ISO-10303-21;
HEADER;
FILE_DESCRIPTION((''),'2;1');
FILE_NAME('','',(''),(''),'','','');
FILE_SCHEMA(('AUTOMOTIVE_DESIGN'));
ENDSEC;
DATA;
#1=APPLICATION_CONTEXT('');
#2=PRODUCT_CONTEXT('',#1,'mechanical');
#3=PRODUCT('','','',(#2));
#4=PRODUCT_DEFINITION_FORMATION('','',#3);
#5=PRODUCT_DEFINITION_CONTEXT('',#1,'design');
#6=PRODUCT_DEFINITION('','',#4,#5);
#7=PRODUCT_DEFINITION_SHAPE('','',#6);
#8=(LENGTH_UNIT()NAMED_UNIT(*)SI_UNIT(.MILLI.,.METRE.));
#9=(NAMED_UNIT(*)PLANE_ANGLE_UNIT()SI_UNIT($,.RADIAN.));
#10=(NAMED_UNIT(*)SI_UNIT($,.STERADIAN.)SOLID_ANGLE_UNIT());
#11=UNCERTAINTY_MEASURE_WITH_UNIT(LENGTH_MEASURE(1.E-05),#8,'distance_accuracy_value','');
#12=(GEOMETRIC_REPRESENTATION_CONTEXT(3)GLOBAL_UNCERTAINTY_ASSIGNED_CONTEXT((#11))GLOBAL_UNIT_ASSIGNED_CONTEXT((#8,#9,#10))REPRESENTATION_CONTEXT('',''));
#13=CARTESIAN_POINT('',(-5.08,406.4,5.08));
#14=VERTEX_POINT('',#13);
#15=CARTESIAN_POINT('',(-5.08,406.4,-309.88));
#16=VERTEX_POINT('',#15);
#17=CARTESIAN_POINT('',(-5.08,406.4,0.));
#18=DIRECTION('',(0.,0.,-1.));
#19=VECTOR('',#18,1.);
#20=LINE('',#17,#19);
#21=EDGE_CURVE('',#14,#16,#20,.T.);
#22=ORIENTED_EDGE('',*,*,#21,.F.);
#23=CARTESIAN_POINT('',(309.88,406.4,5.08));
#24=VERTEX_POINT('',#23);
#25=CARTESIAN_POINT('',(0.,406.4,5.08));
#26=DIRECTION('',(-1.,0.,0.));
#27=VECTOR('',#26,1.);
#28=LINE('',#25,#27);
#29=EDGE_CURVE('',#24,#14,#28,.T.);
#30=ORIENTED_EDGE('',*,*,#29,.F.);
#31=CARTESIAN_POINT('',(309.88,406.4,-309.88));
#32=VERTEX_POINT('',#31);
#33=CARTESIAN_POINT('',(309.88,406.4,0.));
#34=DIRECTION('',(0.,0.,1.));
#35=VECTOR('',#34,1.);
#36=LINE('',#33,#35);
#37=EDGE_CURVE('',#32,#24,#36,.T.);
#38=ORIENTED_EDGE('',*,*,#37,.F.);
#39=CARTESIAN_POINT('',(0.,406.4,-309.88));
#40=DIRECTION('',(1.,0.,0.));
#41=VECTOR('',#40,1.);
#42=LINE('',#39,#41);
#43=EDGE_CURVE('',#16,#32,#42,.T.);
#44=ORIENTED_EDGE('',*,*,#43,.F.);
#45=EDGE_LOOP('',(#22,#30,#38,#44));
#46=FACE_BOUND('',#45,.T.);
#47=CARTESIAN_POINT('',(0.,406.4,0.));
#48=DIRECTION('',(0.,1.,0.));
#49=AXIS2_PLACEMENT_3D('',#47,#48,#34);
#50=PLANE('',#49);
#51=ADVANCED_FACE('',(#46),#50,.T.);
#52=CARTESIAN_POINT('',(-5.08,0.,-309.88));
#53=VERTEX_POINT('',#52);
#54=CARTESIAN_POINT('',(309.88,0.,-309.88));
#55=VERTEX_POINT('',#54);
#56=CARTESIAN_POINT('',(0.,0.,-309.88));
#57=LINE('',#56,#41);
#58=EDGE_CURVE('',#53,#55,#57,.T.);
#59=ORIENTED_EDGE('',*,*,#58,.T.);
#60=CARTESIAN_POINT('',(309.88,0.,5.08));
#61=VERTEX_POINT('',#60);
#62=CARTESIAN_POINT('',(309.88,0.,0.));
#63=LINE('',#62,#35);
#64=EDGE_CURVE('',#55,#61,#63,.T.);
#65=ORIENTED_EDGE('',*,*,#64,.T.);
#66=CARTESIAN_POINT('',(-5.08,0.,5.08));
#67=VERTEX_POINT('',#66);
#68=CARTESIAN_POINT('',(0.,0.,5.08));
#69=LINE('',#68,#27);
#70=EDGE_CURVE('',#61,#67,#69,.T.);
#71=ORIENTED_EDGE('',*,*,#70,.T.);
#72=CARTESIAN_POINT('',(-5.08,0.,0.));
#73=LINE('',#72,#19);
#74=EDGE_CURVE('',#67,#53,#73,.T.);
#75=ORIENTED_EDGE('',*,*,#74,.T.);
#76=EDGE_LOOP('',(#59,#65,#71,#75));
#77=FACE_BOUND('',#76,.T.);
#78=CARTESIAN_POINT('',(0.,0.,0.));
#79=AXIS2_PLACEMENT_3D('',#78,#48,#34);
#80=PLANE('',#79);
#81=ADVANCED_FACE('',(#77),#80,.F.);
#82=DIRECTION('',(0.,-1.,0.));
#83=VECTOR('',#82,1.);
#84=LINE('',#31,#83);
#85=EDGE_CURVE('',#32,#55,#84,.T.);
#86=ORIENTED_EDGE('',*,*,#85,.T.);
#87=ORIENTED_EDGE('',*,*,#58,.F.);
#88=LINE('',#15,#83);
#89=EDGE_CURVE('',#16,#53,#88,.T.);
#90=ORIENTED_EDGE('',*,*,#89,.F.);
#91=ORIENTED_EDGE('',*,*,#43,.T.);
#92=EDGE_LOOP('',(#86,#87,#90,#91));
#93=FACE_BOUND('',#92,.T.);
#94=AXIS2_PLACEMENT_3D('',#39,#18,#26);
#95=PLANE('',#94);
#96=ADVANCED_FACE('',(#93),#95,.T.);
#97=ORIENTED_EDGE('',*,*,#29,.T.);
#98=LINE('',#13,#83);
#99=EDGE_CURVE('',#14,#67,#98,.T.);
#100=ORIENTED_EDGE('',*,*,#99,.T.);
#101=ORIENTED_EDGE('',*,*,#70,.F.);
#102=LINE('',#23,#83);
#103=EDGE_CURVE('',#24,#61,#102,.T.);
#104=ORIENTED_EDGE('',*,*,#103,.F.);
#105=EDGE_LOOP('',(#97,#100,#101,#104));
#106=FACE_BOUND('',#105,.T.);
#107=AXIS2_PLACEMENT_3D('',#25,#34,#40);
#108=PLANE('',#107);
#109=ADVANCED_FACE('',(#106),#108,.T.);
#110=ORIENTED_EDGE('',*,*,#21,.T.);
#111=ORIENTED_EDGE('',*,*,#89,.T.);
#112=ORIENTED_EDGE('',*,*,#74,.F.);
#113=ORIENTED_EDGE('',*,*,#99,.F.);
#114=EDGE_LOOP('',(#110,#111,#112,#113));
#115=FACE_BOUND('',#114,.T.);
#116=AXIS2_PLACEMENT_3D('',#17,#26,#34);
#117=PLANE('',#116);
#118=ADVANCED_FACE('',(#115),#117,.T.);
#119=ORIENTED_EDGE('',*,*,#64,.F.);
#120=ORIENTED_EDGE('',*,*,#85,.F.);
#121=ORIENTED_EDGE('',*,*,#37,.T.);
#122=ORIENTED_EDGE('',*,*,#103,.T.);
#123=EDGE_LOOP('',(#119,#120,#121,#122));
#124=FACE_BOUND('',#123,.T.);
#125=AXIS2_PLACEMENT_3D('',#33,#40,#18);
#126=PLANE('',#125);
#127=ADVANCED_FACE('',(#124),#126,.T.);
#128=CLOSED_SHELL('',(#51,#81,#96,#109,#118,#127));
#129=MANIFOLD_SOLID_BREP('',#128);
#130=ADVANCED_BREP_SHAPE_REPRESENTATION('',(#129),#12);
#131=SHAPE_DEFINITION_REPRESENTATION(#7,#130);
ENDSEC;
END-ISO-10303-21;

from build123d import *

# Parameters (mm, degrees)
SKETCH1_W           = 314.96
SKETCH1_H           = 314.96
SKETCH1_W_2         = 304.8
SKETCH1_H_2         = 304.8
SKETCH1_R           = 3.175
BOSS_EXTRUDE1_DEPTH = 406.4


with BuildPart() as part:
    # Sketch1 → Boss-Extrude1 (new body)
    with BuildSketch(Plane(origin=(0, 0, 0), x_dir=(1, 0, 0), z_dir=(0, 1, 0))):
        with Locations((152.4, 152.4)):
            Rectangle(SKETCH1_W, SKETCH1_H)
        with Locations((152.4, 152.4)):
            Rectangle(SKETCH1_W_2, SKETCH1_H_2, mode=Mode.SUBTRACT)
        with Locations((152.4, 152.4)):
            Rectangle(SKETCH1_W_2, SKETCH1_H_2)
        with Locations((116.2685, 152.4)):
            Circle(SKETCH1_R, mode=Mode.SUBTRACT)
        with Locations((152.4, 116.2685)):
            Circle(SKETCH1_R, mode=Mode.SUBTRACT)
        with Locations((188.5315, 152.4)):
            Circle(SKETCH1_R, mode=Mode.SUBTRACT)
        with Locations((152.4, 188.5315)):
            Circle(SKETCH1_R, mode=Mode.SUBTRACT)
        with Locations((116.2685, 152.4)):
            Circle(SKETCH1_R)
        with Locations((152.4, 116.2685)):
            Circle(SKETCH1_R)
        with Locations((188.5315, 152.4)):
            Circle(SKETCH1_R)
        with Locations((152.4, 188.5315)):
            Circle(SKETCH1_R)
    extrude(amount=BOSS_EXTRUDE1_DEPTH)


solid = part.part
